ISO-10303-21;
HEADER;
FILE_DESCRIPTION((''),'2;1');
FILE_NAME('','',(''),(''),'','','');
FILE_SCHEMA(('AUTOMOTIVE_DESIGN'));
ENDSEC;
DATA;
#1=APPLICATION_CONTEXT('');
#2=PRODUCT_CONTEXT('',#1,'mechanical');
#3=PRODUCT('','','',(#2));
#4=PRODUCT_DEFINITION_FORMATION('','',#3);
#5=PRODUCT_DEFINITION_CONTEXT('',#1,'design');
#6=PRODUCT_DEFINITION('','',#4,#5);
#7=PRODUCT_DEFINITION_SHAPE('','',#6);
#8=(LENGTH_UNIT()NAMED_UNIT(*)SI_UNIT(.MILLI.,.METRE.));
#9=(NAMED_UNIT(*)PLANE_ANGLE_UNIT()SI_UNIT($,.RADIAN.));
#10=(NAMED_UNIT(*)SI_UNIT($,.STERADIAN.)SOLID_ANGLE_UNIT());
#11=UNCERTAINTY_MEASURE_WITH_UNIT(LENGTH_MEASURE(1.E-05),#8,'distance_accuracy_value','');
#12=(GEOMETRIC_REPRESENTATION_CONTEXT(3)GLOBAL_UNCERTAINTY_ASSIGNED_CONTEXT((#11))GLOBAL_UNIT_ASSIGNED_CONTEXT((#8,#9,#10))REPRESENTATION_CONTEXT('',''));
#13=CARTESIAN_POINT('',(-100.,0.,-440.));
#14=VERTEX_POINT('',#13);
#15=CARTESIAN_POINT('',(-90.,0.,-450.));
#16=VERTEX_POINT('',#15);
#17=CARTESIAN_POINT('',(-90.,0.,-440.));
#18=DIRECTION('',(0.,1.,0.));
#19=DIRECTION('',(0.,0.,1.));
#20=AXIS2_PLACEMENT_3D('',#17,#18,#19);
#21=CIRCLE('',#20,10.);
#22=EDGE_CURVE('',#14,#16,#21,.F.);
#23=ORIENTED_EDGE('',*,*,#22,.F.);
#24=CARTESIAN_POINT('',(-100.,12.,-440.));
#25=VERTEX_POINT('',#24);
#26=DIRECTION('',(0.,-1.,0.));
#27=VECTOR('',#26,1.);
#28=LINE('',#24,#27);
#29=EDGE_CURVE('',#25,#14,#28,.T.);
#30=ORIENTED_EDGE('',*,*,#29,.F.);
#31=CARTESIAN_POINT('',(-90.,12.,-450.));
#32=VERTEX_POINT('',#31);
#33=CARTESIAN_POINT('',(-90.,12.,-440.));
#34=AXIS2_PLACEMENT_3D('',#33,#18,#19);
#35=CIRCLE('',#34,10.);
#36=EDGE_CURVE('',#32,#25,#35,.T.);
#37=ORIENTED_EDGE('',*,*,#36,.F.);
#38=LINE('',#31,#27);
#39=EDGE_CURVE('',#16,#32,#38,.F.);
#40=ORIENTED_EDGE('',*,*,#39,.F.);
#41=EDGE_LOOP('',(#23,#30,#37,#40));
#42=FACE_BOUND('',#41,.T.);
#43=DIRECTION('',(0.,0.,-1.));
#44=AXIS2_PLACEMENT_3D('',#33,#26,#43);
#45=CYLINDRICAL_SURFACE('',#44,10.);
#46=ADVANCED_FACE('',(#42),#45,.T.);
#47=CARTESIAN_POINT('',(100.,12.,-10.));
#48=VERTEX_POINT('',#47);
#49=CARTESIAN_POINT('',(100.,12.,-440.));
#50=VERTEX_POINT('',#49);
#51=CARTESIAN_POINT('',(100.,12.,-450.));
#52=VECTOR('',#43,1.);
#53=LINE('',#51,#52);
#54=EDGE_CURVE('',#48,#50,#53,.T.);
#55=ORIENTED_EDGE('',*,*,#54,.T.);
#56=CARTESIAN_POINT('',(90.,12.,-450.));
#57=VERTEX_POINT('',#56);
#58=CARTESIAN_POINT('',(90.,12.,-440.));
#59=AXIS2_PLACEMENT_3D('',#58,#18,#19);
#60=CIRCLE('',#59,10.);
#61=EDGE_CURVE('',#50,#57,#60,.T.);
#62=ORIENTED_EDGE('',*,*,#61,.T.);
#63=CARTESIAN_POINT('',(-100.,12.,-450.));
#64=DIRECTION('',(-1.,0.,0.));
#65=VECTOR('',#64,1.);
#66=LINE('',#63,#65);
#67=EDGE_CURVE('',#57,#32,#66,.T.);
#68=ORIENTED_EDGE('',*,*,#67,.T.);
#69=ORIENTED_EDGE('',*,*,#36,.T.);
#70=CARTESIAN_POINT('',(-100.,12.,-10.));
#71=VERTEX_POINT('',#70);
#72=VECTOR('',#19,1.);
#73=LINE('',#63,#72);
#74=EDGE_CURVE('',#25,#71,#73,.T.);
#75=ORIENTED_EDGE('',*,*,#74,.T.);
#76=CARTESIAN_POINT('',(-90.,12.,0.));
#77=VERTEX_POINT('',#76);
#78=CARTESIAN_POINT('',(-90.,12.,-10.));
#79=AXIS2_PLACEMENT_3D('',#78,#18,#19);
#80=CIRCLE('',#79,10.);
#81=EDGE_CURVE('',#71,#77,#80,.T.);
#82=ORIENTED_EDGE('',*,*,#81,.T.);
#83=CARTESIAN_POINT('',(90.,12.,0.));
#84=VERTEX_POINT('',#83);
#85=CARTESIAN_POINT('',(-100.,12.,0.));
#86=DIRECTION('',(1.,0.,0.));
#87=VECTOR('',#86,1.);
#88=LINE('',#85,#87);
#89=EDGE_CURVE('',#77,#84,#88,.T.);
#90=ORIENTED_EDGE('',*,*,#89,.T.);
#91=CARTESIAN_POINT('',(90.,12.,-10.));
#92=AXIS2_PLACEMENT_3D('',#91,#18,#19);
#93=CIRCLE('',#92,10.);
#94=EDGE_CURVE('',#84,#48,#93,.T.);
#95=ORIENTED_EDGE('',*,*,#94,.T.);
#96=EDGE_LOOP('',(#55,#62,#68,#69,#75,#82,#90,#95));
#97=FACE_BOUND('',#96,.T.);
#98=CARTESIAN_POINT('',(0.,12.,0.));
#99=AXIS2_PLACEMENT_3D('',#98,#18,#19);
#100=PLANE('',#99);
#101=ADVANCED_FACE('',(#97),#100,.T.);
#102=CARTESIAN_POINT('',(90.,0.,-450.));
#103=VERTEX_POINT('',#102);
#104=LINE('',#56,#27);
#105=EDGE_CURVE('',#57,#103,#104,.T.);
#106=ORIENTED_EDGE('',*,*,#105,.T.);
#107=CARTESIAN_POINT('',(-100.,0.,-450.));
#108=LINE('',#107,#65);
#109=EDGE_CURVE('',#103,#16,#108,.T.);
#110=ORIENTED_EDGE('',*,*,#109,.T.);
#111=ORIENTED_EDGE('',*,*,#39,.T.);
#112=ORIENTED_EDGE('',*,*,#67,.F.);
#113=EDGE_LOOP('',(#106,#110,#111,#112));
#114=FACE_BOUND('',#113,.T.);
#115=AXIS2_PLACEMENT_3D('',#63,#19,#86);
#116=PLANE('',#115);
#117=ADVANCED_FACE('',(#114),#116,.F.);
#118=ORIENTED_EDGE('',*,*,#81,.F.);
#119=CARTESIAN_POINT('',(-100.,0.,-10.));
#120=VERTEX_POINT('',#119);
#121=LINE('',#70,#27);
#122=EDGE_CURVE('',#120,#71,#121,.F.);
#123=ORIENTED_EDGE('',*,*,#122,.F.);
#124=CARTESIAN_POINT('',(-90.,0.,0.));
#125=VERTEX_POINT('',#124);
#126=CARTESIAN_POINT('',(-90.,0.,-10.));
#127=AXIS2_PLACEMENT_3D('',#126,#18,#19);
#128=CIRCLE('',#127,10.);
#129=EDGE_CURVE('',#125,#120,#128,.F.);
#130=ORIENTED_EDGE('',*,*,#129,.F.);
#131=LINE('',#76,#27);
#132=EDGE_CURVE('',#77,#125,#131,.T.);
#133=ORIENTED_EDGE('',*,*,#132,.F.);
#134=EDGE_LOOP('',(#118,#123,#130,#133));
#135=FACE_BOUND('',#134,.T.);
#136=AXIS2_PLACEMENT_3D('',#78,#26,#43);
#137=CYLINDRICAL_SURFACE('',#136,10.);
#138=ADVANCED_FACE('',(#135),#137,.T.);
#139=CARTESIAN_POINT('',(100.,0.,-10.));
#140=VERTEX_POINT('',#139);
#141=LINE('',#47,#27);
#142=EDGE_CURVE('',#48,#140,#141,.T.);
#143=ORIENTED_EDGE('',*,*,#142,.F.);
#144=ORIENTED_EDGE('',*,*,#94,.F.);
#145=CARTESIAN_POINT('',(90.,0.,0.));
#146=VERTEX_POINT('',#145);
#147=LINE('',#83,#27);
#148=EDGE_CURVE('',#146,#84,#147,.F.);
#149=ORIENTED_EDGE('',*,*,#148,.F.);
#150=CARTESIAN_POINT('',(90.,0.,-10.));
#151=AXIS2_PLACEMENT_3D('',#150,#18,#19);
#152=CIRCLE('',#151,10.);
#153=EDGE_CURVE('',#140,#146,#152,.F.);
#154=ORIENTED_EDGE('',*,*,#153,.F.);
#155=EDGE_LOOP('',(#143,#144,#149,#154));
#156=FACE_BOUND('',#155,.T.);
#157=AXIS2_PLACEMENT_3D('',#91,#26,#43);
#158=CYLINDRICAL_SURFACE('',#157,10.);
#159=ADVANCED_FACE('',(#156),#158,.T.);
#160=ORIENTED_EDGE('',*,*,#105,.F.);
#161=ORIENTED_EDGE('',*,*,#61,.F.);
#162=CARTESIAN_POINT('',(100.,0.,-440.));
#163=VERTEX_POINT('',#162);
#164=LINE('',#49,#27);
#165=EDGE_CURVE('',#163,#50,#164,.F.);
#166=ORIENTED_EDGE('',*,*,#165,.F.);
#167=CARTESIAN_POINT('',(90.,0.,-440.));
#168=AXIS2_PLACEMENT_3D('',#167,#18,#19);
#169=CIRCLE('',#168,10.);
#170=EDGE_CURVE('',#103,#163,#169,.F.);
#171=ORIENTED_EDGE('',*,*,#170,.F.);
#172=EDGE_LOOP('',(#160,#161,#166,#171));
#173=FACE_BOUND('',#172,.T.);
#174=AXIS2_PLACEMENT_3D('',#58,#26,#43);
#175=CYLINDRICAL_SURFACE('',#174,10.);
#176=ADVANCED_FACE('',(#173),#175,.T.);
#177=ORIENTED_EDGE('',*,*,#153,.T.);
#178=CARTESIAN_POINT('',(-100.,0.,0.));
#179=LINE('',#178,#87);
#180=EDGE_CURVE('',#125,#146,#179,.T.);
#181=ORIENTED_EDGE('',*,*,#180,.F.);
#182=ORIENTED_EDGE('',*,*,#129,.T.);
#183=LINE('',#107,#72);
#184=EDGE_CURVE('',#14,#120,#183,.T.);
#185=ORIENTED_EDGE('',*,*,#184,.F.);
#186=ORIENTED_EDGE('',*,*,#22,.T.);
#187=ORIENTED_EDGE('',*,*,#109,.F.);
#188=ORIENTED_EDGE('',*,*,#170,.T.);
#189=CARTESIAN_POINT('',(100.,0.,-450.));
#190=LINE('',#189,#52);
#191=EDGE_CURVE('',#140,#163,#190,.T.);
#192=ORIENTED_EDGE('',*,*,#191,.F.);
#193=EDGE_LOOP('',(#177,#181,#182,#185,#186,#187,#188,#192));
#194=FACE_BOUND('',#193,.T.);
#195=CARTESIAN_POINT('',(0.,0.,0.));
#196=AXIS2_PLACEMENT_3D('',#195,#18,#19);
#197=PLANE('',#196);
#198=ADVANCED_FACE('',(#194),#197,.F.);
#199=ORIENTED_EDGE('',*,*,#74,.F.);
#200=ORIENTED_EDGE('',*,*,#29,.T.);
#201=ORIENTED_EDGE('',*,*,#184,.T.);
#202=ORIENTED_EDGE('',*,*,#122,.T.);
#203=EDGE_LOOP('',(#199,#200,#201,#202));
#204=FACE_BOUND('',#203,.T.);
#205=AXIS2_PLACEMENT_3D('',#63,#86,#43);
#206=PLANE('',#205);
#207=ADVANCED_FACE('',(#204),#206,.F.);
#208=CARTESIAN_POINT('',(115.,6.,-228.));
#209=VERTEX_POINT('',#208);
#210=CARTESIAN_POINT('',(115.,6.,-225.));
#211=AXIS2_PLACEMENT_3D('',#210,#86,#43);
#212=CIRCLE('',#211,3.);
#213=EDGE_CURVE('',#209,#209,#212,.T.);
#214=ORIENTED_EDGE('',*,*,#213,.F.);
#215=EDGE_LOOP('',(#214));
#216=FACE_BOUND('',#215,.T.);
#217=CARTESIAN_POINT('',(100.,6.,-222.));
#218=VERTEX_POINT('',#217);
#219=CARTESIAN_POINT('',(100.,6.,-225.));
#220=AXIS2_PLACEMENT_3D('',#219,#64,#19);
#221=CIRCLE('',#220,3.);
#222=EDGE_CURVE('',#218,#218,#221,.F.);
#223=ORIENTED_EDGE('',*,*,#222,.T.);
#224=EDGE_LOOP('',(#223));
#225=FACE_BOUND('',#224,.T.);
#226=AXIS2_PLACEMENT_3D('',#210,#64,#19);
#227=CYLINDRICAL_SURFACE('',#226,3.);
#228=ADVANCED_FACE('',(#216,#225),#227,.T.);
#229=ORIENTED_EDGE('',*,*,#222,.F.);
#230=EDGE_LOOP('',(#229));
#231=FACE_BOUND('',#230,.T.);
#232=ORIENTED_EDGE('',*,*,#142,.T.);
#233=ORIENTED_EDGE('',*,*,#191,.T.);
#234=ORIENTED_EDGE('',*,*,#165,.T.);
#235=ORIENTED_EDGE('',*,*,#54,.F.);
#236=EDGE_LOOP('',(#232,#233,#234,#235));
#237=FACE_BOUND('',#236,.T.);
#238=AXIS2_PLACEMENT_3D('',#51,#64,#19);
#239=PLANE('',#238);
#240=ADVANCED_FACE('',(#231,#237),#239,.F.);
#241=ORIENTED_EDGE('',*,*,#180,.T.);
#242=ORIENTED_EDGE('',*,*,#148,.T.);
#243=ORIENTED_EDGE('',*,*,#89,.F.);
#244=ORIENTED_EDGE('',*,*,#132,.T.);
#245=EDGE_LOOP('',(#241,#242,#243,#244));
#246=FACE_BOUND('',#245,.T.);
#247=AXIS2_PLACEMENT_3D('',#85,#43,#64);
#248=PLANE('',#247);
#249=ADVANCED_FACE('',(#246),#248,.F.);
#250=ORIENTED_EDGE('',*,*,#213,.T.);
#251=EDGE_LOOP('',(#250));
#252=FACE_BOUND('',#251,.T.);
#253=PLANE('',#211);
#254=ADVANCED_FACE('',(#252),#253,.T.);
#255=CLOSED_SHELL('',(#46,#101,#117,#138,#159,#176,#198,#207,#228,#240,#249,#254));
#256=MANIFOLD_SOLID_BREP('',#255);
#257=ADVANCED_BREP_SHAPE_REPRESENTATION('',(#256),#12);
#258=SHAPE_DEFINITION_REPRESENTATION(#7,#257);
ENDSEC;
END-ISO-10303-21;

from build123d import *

# Parameters (mm, degrees)
SKETCH_1_W      = 200
SKETCH_1_H      = 450
EXTRUDE_1_DEPTH = 12
FILLET_1_R      = 10
SKETCH_2_R      = 3
EXTRUDE_2_DEPTH = 15


with BuildPart() as part:
    # 草图1 → 凸台-拉伸1 (new body)
    with BuildSketch(Plane(origin=(0, 0, 0), x_dir=(1, 0, 0), z_dir=(0, 1, 0))):
        with Locations((0, 225)):
            Rectangle(SKETCH_1_W, SKETCH_1_H)
    extrude(amount=EXTRUDE_1_DEPTH)

    # 圆角1
    fillet_1_edges = [part.edges().sort_by_distance(p)[0] for p in [
        (-100, 6, -450),
        (100, 6, -450),
        (100, 6, 0),
        (-100, 6, 0),
    ]]
    fillet(fillet_1_edges, radius=FILLET_1_R)

    # 草图2 → 凸台-拉伸2 (add)
    with BuildSketch(Plane(origin=(100, 0, 0), x_dir=(0, 0, -1), z_dir=(1, 0, 0))):
        with Locations(Location((225, 6, 0), (0, 0, 180))):
            Circle(SKETCH_2_R)
    extrude(amount=EXTRUDE_2_DEPTH)


solid = part.part
